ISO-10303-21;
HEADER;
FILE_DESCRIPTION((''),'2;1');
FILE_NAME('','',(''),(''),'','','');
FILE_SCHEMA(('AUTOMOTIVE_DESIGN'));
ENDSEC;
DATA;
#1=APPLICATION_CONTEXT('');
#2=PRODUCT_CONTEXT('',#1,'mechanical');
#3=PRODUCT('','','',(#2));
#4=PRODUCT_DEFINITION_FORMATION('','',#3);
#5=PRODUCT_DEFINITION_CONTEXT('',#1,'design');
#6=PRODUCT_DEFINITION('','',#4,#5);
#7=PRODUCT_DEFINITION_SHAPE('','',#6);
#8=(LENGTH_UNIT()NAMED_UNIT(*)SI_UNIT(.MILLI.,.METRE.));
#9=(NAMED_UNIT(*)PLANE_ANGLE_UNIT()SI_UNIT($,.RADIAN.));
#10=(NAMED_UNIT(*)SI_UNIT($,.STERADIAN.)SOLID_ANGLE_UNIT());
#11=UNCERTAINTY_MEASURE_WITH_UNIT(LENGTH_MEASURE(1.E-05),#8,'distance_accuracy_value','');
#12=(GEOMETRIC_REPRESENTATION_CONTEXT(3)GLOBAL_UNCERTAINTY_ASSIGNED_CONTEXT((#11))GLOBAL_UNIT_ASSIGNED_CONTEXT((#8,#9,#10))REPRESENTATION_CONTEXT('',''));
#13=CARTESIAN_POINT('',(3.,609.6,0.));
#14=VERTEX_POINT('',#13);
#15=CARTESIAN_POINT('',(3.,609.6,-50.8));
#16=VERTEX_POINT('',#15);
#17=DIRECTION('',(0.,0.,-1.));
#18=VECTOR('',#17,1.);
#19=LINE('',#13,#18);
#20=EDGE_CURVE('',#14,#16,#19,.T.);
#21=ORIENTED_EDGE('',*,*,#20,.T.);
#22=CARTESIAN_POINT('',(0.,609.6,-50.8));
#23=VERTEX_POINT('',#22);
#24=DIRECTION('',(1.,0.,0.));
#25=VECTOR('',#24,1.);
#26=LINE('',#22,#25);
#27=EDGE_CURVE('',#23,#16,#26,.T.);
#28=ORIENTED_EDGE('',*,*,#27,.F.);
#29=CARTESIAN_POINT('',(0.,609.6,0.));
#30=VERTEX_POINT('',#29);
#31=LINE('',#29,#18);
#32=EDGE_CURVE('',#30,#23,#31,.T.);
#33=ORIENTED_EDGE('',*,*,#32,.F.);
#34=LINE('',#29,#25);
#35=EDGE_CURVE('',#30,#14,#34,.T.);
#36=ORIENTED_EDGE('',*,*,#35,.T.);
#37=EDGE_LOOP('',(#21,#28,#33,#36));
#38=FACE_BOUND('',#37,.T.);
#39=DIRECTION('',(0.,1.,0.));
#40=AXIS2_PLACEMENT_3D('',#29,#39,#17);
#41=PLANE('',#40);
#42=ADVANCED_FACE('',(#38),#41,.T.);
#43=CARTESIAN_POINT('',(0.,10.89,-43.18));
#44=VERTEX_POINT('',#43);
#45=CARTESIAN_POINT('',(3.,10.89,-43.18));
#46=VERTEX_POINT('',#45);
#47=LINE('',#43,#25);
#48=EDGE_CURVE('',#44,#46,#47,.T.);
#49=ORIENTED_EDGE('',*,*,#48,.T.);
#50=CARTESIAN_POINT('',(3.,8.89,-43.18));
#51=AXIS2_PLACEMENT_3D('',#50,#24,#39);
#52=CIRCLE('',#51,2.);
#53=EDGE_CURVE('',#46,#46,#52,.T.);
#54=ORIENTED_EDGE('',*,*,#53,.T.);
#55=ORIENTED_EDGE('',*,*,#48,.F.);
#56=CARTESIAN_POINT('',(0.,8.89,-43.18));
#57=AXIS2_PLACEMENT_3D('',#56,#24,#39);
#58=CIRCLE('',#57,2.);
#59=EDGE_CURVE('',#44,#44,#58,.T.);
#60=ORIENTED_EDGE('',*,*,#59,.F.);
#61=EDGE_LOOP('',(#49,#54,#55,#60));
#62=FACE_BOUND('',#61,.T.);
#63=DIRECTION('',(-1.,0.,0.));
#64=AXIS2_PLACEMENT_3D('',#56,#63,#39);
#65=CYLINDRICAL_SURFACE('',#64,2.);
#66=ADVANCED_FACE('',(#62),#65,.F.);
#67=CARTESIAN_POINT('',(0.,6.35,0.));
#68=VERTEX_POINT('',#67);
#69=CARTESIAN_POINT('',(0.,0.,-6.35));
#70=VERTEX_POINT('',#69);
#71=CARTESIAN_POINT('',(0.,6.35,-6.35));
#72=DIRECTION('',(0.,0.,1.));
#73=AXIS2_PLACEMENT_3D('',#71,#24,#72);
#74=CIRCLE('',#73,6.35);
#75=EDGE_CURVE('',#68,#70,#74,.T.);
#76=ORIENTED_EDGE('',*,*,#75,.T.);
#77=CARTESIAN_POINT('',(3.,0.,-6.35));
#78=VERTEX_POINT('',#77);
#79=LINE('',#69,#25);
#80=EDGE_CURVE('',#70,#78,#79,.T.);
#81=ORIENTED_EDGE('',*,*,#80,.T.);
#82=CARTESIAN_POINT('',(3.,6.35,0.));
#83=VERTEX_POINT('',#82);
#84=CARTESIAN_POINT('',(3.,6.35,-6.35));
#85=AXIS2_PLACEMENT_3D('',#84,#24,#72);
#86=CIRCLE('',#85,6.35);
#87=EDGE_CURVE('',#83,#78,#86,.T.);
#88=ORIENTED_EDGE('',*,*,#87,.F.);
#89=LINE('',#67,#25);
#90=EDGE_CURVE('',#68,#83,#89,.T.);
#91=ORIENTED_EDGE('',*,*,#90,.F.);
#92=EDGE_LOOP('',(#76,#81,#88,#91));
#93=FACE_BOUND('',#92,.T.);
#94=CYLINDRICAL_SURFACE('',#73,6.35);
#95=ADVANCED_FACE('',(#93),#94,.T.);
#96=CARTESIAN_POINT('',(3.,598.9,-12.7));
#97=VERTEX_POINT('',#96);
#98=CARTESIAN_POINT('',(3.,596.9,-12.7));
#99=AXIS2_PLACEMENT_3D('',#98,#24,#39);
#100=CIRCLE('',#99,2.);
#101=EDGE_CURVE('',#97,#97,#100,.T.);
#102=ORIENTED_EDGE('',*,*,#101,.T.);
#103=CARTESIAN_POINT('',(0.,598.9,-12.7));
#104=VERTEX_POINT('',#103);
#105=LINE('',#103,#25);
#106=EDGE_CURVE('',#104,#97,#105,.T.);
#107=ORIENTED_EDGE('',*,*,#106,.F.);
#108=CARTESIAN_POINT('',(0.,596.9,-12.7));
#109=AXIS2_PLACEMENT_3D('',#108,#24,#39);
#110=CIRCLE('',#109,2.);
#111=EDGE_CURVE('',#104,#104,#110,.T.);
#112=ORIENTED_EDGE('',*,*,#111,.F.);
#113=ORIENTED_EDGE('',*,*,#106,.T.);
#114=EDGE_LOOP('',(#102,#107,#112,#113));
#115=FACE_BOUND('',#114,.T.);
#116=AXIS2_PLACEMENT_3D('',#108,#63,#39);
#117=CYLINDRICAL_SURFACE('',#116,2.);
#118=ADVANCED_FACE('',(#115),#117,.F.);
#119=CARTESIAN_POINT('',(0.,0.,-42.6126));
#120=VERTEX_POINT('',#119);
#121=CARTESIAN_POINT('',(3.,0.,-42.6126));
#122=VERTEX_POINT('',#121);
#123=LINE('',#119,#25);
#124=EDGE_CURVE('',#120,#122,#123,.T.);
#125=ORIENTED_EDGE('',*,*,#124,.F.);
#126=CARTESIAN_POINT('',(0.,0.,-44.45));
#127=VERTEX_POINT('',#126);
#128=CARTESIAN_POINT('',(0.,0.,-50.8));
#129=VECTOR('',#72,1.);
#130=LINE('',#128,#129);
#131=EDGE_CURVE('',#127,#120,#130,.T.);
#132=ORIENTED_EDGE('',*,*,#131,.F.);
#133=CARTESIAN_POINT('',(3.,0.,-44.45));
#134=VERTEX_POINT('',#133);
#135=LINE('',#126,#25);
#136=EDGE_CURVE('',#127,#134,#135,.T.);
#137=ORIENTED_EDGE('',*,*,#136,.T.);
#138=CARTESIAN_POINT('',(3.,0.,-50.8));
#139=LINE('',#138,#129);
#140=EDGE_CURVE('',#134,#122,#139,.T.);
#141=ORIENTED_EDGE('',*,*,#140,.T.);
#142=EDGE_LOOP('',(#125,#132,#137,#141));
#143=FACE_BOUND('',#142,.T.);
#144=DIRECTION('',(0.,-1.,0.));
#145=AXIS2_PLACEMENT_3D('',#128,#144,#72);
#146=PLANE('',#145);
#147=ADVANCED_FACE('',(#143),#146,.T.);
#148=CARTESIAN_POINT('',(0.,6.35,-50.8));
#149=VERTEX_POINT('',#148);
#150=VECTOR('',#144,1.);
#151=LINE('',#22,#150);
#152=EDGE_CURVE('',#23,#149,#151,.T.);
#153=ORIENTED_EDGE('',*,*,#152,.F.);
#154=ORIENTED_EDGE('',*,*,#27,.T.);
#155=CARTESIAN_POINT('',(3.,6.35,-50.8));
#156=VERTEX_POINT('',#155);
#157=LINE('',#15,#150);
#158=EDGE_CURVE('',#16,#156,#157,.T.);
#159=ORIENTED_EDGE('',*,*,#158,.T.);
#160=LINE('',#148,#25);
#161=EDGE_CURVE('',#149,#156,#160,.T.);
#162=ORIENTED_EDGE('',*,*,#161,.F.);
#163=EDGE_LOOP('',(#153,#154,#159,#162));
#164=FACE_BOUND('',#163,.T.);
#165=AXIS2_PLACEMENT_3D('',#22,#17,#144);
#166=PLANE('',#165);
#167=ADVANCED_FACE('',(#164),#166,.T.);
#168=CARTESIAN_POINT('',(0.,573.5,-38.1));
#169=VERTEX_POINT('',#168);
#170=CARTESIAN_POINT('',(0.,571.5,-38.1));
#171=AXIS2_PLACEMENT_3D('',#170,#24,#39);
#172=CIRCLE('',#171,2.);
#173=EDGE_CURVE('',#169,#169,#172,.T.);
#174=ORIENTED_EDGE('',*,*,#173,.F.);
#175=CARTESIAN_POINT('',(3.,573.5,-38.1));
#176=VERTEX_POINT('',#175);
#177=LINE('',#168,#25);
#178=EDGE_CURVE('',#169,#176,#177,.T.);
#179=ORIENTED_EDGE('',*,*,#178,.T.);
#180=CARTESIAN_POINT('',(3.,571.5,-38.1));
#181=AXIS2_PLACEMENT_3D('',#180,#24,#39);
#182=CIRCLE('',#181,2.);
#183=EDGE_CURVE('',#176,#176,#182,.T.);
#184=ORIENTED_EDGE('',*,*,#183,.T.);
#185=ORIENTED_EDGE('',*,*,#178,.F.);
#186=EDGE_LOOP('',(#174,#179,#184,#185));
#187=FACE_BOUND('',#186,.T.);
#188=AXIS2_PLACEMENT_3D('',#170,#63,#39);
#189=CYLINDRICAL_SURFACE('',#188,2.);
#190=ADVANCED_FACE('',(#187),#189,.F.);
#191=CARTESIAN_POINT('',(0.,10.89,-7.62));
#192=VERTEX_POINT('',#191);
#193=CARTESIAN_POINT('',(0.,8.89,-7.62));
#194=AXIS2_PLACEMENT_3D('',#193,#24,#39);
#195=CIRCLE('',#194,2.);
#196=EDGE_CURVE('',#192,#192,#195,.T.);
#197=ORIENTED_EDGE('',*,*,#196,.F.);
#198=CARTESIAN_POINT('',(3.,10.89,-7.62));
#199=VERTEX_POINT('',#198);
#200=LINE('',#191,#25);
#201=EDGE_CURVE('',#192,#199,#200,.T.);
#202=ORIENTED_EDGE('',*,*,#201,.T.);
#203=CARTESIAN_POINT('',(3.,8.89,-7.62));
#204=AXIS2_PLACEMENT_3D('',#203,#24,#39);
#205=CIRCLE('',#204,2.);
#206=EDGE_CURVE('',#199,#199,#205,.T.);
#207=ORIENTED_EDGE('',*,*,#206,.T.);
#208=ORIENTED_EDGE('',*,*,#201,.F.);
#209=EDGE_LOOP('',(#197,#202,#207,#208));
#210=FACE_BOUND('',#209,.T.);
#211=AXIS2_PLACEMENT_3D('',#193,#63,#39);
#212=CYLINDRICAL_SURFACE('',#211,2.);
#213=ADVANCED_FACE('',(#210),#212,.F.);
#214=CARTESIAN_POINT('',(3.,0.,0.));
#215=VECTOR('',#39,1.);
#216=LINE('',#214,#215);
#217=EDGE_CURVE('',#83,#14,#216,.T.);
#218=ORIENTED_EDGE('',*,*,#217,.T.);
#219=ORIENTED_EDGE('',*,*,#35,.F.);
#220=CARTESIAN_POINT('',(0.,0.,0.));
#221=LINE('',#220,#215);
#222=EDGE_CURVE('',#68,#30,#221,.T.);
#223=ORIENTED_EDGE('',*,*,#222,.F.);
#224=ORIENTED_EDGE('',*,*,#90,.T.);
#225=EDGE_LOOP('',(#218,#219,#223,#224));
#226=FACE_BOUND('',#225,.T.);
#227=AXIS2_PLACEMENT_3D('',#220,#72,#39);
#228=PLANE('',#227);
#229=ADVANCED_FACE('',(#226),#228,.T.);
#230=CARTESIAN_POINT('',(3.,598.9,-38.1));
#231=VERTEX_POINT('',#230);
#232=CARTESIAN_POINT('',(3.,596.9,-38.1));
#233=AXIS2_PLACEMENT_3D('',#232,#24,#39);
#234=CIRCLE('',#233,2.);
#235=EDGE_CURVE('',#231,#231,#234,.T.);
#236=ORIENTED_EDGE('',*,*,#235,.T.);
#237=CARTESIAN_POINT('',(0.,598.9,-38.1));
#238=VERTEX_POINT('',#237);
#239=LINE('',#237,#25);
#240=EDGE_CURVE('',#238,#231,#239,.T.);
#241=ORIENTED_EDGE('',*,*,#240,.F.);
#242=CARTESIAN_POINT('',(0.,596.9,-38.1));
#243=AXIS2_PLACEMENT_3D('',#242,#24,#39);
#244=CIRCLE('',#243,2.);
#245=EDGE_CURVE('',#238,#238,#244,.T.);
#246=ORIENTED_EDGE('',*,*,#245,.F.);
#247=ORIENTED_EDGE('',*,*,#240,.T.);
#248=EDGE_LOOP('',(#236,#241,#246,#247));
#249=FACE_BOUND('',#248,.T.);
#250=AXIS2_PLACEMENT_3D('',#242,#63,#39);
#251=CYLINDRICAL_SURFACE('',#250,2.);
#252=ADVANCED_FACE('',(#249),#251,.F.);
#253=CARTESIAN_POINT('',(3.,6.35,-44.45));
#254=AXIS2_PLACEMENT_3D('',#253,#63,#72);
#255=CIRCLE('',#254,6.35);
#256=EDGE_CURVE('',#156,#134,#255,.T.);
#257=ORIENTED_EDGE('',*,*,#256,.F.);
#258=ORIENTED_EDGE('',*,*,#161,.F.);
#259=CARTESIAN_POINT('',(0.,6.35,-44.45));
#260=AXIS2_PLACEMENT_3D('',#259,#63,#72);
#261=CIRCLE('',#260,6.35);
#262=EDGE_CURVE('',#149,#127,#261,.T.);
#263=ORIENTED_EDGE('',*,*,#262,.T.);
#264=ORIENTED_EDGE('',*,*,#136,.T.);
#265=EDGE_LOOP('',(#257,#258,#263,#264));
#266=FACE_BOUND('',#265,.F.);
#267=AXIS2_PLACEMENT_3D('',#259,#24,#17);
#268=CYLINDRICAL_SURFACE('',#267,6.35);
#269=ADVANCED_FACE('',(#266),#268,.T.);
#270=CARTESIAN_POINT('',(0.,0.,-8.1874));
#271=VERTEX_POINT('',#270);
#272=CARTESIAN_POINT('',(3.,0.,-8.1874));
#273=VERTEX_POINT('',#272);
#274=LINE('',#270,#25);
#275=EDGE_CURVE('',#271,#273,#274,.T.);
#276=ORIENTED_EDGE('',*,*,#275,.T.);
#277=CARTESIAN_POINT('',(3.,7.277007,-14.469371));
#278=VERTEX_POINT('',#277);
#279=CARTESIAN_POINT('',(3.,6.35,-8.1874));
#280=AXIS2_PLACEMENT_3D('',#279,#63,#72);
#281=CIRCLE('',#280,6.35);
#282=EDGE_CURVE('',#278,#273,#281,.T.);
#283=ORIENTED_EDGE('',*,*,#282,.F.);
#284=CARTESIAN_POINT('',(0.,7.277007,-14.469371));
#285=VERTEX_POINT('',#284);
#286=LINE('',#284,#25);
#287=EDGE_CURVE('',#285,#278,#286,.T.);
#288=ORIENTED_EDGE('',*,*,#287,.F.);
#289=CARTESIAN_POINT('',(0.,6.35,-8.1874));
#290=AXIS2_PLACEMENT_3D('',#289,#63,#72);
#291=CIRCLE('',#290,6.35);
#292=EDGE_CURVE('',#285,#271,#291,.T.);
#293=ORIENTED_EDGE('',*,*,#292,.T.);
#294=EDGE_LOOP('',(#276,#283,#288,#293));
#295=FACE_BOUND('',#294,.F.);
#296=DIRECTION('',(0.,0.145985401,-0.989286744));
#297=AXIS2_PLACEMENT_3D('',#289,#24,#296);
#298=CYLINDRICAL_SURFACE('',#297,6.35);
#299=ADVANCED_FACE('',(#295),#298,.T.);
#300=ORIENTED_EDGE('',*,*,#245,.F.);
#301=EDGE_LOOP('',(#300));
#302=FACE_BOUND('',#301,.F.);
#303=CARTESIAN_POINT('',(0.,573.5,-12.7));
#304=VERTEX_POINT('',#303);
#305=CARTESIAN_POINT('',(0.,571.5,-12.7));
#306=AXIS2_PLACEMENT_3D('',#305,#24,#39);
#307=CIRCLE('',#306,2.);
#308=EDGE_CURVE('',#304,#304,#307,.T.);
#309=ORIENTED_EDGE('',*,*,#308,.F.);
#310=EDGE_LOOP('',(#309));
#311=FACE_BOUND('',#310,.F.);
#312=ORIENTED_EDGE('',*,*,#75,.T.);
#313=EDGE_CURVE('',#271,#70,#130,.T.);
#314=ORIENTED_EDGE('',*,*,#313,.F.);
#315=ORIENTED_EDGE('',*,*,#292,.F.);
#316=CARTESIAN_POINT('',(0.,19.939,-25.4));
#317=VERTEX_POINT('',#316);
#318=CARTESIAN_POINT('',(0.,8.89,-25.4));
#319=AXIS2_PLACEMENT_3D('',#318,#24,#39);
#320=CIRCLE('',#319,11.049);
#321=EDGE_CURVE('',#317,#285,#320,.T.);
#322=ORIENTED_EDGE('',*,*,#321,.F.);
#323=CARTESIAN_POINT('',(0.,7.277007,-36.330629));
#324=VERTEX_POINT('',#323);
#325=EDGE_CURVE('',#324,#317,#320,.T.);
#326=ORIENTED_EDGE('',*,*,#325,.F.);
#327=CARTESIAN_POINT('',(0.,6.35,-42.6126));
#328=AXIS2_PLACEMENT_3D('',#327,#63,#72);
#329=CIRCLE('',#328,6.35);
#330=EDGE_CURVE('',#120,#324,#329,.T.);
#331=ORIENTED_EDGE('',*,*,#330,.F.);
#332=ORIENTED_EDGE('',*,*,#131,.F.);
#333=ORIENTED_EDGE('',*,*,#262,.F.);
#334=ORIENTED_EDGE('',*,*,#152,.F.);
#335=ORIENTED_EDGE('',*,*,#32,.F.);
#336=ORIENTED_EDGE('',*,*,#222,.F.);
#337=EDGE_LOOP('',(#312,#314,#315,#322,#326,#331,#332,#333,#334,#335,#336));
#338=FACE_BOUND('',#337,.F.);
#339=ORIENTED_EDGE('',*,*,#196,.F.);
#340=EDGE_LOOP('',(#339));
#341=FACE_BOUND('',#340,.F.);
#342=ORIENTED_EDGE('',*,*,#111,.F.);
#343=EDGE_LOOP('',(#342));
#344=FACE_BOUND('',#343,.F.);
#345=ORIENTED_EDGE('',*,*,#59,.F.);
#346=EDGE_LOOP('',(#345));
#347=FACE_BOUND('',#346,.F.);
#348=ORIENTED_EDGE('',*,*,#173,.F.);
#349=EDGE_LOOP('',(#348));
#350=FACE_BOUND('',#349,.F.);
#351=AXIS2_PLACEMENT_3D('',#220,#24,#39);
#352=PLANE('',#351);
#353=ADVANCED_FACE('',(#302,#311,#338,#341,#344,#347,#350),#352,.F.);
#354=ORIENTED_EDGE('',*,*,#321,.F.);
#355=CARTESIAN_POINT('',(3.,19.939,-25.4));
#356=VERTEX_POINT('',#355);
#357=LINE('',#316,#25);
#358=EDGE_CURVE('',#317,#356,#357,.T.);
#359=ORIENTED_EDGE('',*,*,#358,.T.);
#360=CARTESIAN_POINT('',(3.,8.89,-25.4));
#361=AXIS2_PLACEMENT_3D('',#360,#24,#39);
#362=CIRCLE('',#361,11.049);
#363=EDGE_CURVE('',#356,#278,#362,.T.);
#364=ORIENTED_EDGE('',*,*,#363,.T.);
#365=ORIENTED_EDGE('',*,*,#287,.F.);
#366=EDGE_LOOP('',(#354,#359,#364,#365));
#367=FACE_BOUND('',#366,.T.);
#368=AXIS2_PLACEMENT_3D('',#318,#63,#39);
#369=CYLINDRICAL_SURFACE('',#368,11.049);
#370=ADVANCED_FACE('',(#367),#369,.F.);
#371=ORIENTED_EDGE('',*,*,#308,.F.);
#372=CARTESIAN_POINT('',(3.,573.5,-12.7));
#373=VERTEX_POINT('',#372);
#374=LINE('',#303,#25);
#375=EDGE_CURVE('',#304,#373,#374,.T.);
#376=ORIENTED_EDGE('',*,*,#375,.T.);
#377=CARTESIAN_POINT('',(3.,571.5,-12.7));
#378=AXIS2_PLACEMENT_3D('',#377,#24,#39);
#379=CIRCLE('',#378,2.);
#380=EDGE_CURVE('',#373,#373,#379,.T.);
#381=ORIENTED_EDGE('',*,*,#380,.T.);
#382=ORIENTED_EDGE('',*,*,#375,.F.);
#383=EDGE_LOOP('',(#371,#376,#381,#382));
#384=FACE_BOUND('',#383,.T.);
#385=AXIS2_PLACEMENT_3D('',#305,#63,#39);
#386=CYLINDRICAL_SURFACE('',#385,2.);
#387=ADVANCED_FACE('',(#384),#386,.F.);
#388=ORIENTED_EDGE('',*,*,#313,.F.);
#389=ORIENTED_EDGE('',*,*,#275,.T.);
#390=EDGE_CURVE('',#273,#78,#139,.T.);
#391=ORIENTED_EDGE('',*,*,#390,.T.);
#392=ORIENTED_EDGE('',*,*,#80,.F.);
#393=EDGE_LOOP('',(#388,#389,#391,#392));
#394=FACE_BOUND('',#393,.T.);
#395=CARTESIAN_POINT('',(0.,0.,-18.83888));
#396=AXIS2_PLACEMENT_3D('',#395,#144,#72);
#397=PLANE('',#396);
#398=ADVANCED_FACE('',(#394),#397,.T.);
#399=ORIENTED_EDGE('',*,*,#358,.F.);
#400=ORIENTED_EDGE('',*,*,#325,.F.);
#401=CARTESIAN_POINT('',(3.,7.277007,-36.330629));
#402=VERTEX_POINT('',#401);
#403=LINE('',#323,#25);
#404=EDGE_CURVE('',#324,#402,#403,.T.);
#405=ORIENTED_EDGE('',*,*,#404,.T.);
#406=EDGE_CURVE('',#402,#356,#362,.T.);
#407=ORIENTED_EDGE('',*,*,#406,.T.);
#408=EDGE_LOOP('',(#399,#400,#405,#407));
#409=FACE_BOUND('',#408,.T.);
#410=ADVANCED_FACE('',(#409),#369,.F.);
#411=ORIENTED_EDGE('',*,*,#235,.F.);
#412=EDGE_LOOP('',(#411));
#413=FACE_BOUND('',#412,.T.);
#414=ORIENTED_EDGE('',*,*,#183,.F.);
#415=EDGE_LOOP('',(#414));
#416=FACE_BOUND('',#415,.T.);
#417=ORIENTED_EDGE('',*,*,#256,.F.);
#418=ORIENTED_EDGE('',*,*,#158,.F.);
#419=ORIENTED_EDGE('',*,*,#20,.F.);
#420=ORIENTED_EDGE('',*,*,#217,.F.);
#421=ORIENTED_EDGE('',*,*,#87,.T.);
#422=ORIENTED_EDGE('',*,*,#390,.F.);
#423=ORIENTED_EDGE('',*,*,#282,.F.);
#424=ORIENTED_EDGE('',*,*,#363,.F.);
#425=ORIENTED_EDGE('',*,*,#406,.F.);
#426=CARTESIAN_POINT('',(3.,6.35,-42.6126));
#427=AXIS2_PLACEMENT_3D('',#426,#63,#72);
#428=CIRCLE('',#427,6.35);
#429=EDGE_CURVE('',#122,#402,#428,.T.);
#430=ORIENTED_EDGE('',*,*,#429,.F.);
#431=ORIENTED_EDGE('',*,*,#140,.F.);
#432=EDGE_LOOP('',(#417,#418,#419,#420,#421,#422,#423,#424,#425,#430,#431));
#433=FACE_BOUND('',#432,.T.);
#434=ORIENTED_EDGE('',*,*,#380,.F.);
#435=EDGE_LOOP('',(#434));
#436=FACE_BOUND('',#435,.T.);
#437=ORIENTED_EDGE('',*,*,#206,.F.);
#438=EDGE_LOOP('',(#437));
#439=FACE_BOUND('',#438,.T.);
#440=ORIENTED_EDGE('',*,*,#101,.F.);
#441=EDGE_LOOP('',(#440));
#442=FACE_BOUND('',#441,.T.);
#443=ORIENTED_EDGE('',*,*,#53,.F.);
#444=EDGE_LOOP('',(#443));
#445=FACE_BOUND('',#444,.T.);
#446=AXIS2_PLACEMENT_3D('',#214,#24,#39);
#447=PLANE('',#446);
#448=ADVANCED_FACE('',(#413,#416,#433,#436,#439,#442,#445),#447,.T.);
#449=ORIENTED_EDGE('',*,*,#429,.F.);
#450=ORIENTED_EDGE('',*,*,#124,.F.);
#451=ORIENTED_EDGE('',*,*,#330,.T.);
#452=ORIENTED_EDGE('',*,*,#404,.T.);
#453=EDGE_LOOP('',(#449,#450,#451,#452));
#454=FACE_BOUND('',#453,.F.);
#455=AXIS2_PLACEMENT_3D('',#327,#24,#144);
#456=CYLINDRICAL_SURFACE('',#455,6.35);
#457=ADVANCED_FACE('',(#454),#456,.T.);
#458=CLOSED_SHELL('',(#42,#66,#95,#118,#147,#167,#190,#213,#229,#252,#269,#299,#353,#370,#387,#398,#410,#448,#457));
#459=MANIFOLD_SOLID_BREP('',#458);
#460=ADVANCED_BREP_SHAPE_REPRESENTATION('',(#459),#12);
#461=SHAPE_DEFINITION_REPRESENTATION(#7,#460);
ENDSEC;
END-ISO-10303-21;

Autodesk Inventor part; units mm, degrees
ref_plane "YZ Plane" through (0, 0, 0) normal (1, 0, 0) x (0, 1, 0)
ref_plane "XZ Plane" through (0, 0, 0) normal (0, 1, 0) x (-1, 0, 0)
ref_plane "XY Plane" through (0, 0, 0) normal (0, 0, 1) x (1, 0, 0)
sketch "Sketch1" plane through (0, 0, 0) normal (1, 0, 0) x (0, 1, 0)
  line L0 (0, 0) -> (609.6, 0)
  line L1 (609.6, 0) -> (609.6, -50.8)
  line L2 (609.6, -50.8) -> (0, -50.8)
  line L3 (0, -50.8) -> (0, 0)
  circle A0 centre (8.89, -25.4) radius 11.049
  circle A1 centre (8.89, -7.62) radius 2
  circle A2 centre (8.89, -43.18) radius 2
  circle A3 centre (596.9, -12.7) radius 2
  circle A4 centre (596.9, -38.1) radius 2
  circle A5 centre (571.5, -12.7) radius 2
  circle A6 centre (571.5, -38.1) radius 2
  point P0 (0, -25.4)
  point P1 (0, -18.8389)
  point P2 (0, -31.9611)
  dimension "d0" = 609.6
  dimension "d1" = 50.8
  dimension "d2" = 22.098
  dimension "d3" = 8.89
  dimension "d4" = 4
  dimension "d5" = 4
  dimension "d6" = 7.62
  dimension "d7" = 8.89
  dimension "d8" = 7.62
  dimension "d9" = 8.89
  dimension "d10" = 4
  dimension "d11" = 4
  dimension "d12" = 4
  dimension "d13" = 4
  dimension "d14" = 25.4
  dimension "d15" = 25.4
  dimension "d16" = 25.4
  dimension "d17" = 25.4
  dimension "d18" = 12.7
  dimension "d19" = 12.7
extrude "Extrusion1" add sketch "Sketch1" along normal blind 3 contours L0 L1 L2 L3 A0
fillet "Fillet1" radius 6.35 4 edges at (1.5, 0, -31.9611) (1.5, 0, -18.8389) (1.5, 0, 0) (1.5, 0, -50.8)
properties part number "DropBar"
